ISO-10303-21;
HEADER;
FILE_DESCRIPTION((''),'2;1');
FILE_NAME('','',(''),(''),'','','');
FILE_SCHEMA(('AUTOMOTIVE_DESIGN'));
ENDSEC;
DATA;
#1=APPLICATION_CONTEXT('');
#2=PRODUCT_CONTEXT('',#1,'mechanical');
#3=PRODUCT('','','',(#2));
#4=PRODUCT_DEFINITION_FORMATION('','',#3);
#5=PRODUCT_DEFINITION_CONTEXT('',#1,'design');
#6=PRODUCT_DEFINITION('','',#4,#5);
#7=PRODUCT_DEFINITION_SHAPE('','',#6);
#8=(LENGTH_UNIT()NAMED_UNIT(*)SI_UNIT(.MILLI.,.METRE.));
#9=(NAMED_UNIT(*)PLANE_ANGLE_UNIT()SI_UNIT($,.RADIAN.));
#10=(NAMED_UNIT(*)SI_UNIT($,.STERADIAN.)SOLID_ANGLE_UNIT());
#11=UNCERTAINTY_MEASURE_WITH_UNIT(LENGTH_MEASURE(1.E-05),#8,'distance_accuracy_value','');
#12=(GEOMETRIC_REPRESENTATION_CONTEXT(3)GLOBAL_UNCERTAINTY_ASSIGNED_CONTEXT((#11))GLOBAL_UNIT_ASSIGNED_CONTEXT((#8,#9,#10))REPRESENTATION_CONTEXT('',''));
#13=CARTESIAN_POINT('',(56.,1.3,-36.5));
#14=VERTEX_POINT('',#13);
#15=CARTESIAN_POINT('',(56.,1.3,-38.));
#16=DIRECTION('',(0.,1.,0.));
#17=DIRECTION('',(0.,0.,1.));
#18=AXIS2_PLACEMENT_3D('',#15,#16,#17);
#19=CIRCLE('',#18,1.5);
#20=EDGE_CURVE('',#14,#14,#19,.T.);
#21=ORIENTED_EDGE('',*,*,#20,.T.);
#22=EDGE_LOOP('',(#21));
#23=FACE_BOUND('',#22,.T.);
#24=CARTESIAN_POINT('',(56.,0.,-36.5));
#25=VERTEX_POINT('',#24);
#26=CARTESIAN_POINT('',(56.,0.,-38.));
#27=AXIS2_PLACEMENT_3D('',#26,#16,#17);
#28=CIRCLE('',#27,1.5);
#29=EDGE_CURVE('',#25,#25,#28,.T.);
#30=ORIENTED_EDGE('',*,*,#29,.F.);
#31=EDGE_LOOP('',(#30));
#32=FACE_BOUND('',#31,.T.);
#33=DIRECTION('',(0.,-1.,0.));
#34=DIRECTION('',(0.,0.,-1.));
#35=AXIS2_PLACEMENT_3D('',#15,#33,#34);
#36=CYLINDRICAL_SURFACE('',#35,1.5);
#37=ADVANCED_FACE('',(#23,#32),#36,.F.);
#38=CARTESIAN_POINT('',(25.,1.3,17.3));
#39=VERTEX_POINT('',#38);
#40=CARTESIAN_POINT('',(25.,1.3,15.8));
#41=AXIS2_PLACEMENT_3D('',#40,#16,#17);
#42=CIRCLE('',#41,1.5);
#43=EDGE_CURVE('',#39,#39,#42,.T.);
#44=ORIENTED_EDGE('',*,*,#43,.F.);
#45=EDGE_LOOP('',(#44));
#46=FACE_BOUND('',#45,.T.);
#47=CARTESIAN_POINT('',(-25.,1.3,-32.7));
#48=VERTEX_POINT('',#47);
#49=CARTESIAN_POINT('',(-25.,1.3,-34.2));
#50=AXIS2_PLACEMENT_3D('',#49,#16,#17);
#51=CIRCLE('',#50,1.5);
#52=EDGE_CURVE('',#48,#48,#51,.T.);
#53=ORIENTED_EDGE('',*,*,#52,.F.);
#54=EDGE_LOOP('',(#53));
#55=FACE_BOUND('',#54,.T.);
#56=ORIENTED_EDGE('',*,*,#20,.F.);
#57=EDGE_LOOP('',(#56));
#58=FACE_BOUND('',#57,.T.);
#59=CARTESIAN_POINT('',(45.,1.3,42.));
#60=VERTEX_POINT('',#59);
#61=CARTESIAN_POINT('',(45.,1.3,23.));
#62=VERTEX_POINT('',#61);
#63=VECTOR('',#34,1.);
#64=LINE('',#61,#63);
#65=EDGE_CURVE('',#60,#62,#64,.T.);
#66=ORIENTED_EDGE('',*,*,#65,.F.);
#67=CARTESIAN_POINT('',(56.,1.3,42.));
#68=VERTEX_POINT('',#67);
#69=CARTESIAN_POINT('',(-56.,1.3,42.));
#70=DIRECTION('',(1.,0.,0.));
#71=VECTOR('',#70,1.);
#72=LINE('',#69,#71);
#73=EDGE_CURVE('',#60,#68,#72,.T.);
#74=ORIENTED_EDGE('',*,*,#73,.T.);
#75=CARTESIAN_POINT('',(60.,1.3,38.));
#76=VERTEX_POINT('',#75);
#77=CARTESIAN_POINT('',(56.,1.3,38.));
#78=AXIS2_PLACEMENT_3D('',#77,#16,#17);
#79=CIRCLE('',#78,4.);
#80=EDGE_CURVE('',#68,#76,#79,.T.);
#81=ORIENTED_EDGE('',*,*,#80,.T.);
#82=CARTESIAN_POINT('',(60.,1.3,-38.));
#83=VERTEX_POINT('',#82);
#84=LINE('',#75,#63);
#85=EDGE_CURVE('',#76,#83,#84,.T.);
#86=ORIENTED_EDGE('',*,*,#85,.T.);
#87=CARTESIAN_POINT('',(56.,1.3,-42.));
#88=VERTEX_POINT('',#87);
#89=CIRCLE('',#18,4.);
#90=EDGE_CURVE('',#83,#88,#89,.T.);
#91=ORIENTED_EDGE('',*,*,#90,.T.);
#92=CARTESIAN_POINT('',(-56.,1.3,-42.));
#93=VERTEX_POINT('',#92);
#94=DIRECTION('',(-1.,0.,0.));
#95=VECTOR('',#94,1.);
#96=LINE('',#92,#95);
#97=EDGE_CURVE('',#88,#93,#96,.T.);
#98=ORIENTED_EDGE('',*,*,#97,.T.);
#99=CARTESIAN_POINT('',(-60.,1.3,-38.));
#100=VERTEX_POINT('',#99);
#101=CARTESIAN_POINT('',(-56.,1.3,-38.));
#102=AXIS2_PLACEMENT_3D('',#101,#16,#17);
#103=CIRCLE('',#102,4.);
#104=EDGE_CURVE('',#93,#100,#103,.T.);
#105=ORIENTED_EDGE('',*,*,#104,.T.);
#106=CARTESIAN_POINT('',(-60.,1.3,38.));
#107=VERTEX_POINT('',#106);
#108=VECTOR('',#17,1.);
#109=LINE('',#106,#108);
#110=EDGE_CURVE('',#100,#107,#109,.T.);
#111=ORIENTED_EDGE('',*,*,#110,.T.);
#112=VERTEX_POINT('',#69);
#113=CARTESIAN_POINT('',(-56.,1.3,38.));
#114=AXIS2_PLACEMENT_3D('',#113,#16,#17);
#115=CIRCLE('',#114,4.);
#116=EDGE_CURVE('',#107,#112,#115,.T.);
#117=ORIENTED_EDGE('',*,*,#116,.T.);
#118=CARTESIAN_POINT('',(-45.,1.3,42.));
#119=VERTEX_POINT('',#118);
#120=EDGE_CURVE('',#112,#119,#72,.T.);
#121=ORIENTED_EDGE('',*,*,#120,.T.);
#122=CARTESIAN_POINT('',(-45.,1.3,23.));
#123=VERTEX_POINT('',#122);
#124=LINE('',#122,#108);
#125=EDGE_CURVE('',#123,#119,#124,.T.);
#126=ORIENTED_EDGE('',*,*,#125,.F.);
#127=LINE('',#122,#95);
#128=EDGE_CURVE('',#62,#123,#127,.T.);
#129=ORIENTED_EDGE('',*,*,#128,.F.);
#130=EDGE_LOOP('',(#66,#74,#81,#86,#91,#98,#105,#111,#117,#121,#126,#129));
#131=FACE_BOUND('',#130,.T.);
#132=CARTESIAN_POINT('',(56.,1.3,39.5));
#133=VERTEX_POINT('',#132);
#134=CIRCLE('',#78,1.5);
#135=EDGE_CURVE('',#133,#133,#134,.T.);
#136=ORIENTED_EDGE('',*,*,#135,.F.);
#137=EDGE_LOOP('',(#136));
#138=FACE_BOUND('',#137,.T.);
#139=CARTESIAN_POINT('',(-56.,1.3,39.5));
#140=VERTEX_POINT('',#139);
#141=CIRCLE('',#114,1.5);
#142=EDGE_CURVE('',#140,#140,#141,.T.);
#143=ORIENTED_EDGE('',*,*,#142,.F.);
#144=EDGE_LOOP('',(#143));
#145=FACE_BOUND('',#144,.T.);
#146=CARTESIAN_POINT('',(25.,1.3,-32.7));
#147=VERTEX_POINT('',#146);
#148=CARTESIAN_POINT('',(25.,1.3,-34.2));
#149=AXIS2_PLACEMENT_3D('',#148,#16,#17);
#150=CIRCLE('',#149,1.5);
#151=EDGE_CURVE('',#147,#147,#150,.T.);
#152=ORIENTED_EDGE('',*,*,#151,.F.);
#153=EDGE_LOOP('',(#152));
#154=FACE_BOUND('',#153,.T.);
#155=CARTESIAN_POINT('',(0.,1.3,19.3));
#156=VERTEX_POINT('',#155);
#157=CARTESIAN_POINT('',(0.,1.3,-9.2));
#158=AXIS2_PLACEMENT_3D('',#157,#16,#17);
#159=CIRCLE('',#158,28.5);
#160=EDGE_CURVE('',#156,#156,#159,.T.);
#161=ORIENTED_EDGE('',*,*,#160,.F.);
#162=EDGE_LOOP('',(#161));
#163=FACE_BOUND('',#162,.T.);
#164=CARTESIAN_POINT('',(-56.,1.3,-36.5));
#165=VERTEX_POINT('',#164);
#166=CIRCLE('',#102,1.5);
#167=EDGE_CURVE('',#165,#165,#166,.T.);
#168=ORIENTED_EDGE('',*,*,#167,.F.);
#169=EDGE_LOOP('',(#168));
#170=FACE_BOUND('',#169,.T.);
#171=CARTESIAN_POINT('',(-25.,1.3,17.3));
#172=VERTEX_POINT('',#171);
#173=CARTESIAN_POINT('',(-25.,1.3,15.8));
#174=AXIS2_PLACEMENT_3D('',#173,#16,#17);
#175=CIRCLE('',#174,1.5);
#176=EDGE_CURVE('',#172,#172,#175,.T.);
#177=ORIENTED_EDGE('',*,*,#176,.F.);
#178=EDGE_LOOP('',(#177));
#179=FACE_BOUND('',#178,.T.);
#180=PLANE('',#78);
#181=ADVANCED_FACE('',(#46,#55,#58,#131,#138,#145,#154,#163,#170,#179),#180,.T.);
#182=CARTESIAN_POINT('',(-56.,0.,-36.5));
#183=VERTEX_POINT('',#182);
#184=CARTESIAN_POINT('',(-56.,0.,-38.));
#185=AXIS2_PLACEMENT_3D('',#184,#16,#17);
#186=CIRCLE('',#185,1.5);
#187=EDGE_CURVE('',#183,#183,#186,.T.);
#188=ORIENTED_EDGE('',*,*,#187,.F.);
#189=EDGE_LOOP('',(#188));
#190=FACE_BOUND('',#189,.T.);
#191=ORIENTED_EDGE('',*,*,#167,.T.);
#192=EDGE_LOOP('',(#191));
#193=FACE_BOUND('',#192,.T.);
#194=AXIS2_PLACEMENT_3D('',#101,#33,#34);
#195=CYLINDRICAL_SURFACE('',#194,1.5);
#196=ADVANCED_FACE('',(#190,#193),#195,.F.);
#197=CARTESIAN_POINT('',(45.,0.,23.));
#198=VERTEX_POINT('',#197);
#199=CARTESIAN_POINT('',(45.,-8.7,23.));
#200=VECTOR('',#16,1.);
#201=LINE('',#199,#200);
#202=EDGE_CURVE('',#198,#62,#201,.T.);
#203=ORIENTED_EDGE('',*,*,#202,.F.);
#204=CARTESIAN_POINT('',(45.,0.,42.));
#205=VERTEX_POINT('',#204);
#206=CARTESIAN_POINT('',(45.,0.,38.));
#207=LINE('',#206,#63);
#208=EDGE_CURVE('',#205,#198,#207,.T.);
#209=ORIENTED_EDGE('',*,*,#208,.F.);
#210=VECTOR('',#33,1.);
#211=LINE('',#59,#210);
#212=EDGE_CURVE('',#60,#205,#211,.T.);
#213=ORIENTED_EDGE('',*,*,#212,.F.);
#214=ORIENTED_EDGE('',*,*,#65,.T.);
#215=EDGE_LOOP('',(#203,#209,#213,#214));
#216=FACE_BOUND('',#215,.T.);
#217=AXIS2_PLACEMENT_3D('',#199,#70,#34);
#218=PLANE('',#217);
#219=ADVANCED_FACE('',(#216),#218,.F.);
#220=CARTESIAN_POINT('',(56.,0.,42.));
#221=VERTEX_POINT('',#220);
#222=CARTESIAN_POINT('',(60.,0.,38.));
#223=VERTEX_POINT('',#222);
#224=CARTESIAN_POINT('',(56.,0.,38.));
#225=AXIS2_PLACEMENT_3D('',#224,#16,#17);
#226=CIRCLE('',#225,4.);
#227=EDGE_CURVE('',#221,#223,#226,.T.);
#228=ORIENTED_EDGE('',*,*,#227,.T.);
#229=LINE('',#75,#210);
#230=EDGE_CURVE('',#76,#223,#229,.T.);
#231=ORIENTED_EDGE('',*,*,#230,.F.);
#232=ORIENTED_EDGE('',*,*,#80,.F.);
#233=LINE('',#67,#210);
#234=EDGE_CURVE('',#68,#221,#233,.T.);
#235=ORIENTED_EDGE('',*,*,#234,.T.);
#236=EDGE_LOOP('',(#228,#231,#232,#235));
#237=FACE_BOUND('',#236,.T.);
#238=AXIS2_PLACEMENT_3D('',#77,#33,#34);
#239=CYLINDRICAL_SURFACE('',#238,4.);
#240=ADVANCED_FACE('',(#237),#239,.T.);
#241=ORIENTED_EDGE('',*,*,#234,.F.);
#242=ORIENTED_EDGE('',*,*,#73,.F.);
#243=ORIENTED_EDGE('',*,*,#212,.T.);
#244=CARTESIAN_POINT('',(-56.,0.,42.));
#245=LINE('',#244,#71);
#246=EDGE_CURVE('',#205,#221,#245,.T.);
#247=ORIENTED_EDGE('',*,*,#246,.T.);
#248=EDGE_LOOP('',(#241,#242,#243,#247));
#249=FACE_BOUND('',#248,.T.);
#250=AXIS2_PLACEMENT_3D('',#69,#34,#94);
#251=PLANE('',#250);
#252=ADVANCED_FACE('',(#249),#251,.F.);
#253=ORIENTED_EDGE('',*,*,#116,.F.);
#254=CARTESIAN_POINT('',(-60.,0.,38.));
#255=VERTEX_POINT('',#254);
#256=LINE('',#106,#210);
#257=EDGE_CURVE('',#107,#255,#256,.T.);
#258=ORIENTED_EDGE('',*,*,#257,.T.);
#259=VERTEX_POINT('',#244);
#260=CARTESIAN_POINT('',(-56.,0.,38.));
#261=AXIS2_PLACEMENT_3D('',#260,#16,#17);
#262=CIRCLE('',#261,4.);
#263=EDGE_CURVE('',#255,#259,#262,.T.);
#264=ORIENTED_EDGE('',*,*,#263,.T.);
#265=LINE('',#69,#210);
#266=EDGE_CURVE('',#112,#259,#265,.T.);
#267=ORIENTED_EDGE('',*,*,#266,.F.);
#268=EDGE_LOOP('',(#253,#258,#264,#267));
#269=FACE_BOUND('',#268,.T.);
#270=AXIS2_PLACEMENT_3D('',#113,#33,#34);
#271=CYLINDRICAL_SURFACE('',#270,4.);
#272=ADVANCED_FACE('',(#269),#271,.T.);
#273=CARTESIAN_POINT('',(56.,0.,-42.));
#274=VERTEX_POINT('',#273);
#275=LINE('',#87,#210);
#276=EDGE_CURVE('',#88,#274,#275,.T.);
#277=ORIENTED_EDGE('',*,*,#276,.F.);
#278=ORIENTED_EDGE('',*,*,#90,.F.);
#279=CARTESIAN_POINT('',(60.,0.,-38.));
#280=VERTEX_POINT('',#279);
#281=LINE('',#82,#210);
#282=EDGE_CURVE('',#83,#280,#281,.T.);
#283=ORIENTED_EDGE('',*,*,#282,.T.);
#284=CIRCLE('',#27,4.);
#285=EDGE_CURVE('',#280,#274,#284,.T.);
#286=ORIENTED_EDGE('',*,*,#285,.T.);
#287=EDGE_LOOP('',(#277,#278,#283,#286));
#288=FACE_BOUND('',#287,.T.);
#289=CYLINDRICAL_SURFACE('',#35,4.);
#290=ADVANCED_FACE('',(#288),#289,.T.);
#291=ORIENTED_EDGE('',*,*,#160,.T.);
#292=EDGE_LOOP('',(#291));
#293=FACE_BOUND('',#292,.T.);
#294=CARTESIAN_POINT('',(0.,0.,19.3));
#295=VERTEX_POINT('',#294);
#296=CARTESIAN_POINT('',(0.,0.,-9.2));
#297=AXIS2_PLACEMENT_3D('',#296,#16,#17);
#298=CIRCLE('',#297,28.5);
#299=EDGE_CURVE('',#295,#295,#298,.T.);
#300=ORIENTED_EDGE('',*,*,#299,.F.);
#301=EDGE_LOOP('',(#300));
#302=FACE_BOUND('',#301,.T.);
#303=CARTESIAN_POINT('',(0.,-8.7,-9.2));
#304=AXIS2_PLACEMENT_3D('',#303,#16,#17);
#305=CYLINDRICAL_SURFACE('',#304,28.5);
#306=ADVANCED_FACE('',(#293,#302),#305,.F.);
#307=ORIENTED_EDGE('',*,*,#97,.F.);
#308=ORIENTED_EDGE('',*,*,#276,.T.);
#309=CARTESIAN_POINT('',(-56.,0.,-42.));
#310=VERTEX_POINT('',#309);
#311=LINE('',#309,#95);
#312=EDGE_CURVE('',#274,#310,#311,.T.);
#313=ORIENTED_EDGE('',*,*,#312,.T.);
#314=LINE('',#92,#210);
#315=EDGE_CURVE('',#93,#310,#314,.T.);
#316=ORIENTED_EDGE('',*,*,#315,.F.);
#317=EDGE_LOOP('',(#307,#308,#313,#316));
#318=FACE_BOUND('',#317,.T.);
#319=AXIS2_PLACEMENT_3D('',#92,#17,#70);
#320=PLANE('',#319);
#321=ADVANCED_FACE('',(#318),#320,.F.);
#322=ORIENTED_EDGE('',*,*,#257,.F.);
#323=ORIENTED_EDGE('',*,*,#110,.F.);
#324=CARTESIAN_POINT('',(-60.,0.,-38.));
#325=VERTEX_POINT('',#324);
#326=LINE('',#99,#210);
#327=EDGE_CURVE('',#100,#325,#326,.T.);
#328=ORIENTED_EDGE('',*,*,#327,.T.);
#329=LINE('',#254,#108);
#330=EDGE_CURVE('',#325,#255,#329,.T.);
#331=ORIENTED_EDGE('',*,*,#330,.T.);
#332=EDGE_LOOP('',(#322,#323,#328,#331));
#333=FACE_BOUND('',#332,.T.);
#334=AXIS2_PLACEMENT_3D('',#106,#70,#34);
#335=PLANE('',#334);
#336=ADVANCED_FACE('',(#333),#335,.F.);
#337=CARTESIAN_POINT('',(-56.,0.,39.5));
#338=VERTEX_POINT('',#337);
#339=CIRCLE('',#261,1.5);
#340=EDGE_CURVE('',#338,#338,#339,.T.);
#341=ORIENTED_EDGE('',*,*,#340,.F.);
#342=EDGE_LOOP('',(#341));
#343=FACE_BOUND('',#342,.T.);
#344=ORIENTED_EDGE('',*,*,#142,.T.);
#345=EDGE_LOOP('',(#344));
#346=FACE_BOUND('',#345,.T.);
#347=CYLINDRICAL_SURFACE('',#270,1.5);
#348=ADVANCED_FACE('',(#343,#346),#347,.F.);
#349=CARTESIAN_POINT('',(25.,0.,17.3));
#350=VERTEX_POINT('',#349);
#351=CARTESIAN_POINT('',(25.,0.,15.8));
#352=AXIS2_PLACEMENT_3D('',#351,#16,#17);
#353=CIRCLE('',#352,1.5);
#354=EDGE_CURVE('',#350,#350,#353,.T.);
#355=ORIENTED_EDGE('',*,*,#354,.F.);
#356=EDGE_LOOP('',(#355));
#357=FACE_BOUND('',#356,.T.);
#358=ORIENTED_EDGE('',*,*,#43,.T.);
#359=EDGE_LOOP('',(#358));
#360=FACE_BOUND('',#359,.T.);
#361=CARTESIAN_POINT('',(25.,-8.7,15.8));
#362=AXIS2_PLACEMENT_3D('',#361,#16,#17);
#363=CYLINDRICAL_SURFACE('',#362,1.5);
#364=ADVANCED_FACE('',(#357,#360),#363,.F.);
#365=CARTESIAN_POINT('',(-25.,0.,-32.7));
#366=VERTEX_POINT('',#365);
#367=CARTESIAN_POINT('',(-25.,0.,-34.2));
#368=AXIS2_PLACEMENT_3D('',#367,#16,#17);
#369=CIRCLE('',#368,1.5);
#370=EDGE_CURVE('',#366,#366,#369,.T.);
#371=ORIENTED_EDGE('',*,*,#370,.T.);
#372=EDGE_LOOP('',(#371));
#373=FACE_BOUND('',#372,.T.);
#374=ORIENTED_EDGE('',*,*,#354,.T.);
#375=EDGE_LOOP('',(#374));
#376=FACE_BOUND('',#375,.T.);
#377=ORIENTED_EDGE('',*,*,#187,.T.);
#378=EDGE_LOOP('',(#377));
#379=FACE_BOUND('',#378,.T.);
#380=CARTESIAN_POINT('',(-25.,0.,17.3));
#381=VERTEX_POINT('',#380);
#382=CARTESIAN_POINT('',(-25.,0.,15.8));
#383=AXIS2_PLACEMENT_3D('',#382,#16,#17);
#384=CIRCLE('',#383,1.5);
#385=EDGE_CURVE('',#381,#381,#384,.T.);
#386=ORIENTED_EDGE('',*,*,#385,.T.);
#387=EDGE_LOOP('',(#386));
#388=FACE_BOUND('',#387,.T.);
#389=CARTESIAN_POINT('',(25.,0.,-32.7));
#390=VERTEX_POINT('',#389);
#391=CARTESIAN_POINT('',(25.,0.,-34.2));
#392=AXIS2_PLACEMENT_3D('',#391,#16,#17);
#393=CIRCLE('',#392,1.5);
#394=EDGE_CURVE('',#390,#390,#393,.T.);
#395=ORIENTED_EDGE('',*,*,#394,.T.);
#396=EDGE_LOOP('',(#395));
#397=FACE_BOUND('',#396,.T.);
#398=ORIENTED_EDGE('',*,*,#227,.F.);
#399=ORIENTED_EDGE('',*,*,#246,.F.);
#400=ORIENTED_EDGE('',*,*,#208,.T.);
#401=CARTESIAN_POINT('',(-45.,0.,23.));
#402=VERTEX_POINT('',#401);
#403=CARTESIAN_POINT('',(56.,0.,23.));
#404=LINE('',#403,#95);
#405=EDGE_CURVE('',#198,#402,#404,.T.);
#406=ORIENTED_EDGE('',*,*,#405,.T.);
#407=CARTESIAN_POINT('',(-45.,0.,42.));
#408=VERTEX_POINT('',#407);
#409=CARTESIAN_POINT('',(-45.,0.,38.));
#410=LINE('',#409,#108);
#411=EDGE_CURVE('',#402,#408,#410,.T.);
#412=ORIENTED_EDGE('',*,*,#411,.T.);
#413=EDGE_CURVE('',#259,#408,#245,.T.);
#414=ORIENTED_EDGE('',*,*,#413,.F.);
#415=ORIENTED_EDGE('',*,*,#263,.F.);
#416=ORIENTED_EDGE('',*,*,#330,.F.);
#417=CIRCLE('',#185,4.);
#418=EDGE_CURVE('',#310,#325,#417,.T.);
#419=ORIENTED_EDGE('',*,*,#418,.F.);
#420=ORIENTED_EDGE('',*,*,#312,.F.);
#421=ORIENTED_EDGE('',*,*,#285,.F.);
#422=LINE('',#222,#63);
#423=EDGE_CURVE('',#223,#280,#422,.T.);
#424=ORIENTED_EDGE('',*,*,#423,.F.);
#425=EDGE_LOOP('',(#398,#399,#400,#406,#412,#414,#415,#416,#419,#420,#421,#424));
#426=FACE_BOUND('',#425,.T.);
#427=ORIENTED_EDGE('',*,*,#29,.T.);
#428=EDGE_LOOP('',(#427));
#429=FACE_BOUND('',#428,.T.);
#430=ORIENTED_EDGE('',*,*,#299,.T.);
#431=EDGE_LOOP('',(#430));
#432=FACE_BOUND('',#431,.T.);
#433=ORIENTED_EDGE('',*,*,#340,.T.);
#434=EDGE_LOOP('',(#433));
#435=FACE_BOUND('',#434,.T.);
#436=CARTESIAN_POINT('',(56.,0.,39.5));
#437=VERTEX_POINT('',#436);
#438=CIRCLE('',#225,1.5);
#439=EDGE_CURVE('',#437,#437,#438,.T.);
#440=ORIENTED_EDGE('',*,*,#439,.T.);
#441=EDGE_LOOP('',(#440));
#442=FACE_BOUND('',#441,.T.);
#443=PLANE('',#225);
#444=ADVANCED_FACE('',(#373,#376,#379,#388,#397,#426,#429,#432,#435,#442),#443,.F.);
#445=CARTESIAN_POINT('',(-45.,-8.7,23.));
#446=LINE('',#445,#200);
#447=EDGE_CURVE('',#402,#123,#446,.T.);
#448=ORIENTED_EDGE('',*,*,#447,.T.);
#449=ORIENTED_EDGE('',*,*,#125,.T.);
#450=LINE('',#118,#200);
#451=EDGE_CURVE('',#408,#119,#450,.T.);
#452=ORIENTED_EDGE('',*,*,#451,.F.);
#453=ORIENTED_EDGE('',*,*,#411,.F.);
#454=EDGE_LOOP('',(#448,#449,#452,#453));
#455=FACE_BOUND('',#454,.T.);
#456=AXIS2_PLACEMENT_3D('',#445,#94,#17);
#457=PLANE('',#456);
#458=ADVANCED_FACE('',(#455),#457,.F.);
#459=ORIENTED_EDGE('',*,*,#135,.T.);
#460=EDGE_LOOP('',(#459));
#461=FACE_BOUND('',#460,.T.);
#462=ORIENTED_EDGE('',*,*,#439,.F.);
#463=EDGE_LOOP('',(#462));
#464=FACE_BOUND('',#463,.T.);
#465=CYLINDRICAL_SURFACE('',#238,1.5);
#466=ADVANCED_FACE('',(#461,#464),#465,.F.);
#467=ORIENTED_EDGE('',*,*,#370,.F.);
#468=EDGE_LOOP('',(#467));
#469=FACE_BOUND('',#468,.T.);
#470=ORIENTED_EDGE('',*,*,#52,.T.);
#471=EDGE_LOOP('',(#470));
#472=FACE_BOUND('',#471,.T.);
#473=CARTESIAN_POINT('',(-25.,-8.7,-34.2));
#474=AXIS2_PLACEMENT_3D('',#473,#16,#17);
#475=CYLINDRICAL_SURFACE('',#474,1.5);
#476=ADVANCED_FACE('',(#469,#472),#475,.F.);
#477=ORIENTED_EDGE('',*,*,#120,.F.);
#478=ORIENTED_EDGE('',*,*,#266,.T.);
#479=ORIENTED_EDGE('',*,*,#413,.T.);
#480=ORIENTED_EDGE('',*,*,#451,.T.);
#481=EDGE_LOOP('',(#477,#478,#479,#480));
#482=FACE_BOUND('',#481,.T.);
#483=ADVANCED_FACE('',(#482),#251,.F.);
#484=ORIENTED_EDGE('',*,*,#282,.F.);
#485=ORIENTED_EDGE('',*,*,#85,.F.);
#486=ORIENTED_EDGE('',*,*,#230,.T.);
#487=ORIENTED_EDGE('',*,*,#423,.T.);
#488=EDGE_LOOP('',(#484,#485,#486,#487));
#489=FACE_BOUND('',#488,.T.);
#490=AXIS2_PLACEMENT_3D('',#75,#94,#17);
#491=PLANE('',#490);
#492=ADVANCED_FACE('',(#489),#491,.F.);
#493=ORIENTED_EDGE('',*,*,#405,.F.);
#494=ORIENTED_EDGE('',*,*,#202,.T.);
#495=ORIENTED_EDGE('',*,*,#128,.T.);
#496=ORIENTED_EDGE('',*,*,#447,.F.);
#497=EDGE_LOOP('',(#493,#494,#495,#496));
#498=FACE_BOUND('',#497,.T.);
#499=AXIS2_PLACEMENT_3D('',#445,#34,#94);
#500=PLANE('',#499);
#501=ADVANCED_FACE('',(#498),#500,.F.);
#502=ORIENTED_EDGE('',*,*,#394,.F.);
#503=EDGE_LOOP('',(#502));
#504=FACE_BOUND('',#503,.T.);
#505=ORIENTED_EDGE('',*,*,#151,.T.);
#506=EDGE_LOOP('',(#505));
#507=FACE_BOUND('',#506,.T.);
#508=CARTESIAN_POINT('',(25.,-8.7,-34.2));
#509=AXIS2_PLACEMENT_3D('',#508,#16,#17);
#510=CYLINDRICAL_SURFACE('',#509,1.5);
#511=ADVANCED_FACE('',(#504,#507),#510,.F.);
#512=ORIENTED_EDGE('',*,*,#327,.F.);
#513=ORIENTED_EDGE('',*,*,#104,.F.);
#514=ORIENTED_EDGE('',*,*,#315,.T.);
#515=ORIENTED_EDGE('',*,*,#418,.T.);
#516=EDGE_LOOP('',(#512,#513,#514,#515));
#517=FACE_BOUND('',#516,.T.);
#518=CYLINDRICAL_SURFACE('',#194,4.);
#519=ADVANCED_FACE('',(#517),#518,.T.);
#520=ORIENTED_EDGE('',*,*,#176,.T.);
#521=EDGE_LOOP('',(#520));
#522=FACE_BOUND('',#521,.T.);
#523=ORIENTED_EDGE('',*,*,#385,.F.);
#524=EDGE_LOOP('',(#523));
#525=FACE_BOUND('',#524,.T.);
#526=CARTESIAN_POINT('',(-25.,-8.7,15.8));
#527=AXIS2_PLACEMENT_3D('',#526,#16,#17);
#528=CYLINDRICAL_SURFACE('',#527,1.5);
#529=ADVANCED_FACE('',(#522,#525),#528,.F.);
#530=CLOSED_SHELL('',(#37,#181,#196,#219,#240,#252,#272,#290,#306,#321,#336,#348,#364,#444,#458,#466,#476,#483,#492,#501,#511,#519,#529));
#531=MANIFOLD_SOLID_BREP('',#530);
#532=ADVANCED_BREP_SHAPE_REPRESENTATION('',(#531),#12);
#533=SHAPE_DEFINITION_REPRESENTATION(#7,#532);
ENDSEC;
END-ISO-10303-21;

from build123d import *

# Parameters (mm, degrees)
SKETCH1_R           = 1.5
BOSS_EXTRUDE1_DEPTH = 1.3
SKETCH2_R           = 28.5
SKETCH2_R_2         = 1.5
SKETCH2_W           = 90
SKETCH2_H           = 19
CUT_EXTRUDE1_DEPTH  = 10


with BuildPart() as part:
    # Sketch1 → Boss-Extrude1 (new body)
    with BuildSketch(Plane(origin=(0, 0, 0), x_dir=(1, 0, 0), z_dir=(0, 1, 0))):
        with BuildLine():
            Line((-56, -42), (56, -42))
            ThreePointArc((56, -42), (58.828427125, -40.828427125), (60, -38))
            Line((60, -38), (60, 38))
            ThreePointArc((60, 38), (58.828427125, 40.828427125), (56, 42))
            Line((56, 42), (-56, 42))
            ThreePointArc((-56, 42), (-58.828427125, 40.828427125), (-60, 38))
            Line((-60, 38), (-60, -38))
            ThreePointArc((-60, -38), (-58.828427125, -40.828427125), (-56, -42))
        make_face()
        with Locations((-56, 38)):
            Circle(SKETCH1_R, mode=Mode.SUBTRACT)
        with Locations((56, 38)):
            Circle(SKETCH1_R, mode=Mode.SUBTRACT)
        with Locations((56, -38)):
            Circle(SKETCH1_R, mode=Mode.SUBTRACT)
        with Locations((-56, -38)):
            Circle(SKETCH1_R, mode=Mode.SUBTRACT)
    extrude(amount=BOSS_EXTRUDE1_DEPTH)

    # Sketch2 → Cut-Extrude1 (cut)
    with BuildSketch(Plane(origin=(0, 1.3, 0), x_dir=(1, 0, 0), z_dir=(0, 1, 0))):
        with Locations((0, 9.2)):
            Circle(SKETCH2_R)
        with Locations((-25, 34.2)):
            Circle(SKETCH2_R_2)
        with Locations((25, 34.2)):
            Circle(SKETCH2_R_2)
        with Locations((25, -15.8)):
            Circle(SKETCH2_R_2)
        with Locations((-25, -15.8)):
            Circle(SKETCH2_R_2)
        with Locations((0, -32.5)):
            Rectangle(SKETCH2_W, SKETCH2_H)
    extrude(amount=-CUT_EXTRUDE1_DEPTH, mode=Mode.SUBTRACT)


solid = part.part
